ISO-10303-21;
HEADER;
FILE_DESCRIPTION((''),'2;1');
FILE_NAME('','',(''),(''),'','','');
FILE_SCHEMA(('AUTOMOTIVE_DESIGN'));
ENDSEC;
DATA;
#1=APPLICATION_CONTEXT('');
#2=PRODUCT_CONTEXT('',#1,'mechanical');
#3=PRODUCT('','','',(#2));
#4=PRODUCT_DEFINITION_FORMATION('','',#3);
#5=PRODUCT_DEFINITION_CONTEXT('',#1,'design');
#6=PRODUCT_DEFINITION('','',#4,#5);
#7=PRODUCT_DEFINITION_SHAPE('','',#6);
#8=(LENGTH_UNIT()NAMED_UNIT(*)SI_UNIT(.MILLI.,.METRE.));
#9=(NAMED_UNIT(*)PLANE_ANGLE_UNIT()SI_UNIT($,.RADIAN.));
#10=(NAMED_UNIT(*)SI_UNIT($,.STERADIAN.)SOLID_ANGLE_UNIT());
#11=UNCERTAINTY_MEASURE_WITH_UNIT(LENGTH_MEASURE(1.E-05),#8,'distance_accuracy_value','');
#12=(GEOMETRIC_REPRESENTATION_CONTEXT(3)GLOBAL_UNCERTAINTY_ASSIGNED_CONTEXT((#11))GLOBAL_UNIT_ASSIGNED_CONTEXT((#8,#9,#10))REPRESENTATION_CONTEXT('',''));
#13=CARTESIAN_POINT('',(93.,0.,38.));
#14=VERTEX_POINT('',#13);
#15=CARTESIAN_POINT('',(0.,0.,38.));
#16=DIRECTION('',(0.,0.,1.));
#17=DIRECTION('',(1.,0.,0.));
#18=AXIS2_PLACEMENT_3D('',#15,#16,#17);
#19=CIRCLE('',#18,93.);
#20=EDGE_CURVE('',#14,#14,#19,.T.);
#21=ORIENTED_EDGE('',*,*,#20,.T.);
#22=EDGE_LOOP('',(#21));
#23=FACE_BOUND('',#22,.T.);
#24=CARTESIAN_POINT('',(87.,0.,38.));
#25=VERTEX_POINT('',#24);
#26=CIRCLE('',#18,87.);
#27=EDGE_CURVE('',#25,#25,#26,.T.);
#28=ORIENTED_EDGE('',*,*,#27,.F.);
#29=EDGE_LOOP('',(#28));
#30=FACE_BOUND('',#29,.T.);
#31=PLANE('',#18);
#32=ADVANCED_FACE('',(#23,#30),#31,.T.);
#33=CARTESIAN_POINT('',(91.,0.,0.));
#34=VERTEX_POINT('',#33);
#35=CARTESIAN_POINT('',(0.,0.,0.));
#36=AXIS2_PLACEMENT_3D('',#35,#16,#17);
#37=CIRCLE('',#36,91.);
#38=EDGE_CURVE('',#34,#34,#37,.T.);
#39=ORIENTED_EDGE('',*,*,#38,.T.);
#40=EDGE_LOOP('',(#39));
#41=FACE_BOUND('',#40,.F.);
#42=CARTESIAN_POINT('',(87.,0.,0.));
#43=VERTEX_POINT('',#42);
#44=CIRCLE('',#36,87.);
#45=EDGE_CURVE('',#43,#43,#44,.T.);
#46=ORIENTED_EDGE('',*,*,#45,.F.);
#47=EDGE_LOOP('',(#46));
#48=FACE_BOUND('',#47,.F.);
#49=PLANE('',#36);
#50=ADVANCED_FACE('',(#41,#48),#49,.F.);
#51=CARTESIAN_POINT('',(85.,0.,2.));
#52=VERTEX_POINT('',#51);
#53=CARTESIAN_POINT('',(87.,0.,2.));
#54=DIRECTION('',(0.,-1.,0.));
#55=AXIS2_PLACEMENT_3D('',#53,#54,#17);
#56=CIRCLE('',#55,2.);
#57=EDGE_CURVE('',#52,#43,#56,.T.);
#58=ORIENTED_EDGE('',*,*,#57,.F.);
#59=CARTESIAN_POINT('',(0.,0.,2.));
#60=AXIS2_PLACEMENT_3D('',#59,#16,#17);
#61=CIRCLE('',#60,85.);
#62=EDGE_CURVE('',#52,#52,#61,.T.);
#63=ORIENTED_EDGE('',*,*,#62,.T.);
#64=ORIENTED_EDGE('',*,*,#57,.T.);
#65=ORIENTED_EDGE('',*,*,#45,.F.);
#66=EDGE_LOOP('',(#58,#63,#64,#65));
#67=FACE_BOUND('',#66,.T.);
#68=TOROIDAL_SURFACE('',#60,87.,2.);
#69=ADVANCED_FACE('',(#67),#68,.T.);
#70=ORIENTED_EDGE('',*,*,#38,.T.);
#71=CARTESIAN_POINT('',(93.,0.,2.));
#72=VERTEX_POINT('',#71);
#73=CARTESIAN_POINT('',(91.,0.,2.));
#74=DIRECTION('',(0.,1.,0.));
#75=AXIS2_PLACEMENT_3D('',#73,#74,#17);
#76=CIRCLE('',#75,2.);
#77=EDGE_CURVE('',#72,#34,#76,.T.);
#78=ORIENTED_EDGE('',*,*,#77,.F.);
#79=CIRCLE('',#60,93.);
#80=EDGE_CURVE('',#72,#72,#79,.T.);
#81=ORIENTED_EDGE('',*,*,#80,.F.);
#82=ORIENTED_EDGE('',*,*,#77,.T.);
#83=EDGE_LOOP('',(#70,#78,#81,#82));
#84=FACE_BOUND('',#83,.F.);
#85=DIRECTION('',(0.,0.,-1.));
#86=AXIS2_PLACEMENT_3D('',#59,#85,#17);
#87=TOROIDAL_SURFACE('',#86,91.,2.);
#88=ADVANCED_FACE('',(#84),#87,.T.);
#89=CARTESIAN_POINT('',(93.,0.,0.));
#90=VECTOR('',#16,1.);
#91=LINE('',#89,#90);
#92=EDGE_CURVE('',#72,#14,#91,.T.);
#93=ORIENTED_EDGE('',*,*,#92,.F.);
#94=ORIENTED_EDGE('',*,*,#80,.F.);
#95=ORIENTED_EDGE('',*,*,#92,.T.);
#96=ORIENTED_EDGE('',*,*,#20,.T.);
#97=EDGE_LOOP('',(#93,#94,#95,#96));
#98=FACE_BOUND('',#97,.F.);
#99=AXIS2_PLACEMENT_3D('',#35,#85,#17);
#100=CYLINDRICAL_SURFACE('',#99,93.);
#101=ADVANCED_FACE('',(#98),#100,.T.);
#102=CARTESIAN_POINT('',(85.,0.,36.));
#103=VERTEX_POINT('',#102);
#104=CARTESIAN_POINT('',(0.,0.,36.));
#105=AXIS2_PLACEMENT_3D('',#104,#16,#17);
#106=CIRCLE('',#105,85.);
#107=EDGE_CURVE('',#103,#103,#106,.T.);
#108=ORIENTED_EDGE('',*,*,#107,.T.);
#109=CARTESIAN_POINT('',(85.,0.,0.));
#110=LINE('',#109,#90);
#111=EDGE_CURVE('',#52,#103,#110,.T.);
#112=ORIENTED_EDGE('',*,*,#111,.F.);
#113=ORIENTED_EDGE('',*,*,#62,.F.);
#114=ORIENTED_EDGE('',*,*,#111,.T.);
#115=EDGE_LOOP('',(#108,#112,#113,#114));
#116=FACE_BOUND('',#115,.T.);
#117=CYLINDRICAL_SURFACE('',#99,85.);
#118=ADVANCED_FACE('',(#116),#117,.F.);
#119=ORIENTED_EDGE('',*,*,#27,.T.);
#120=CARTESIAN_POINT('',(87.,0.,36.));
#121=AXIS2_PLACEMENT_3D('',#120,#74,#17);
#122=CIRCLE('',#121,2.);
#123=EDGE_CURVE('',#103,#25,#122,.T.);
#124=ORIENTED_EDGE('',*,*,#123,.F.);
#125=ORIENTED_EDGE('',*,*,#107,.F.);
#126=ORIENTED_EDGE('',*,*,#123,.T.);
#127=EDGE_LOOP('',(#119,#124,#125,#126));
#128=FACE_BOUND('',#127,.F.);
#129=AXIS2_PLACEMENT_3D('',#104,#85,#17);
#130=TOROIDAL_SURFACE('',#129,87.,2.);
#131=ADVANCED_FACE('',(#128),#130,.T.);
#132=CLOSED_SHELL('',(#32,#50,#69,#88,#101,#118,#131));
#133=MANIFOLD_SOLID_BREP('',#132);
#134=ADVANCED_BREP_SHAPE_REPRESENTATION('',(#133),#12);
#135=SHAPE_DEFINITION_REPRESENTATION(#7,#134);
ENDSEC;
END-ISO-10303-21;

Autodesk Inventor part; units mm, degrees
ref_plane "YZ Plane" through (0, 0, 0) normal (1, 0, 0) x (0, 1, 0)
ref_plane "XZ Plane" through (0, 0, 0) normal (0, 1, 0) x (-1, 0, 0)
ref_plane "XY Plane" through (0, 0, 0) normal (0, 0, 1) x (1, 0, 0)
sketch "Sketch1" plane through (0, 0, 0) normal (0, 0, 1) x (1, 0, 0)
  circle A0 centre (0, 0) radius 93
  circle A1 centre (0, 0) radius 85
  dimension "d0" = 186
  dimension "d1" = 170
extrude "Extrusion1" add sketch "Sketch1" along normal blind 38
fillet "Fillet1" radius 2 3 edges at (-85, 0, 38) (-85, 0, 0) (-93, 0, 0)
properties part number "Flywheel outer rim" material "Steel, Carbon"
